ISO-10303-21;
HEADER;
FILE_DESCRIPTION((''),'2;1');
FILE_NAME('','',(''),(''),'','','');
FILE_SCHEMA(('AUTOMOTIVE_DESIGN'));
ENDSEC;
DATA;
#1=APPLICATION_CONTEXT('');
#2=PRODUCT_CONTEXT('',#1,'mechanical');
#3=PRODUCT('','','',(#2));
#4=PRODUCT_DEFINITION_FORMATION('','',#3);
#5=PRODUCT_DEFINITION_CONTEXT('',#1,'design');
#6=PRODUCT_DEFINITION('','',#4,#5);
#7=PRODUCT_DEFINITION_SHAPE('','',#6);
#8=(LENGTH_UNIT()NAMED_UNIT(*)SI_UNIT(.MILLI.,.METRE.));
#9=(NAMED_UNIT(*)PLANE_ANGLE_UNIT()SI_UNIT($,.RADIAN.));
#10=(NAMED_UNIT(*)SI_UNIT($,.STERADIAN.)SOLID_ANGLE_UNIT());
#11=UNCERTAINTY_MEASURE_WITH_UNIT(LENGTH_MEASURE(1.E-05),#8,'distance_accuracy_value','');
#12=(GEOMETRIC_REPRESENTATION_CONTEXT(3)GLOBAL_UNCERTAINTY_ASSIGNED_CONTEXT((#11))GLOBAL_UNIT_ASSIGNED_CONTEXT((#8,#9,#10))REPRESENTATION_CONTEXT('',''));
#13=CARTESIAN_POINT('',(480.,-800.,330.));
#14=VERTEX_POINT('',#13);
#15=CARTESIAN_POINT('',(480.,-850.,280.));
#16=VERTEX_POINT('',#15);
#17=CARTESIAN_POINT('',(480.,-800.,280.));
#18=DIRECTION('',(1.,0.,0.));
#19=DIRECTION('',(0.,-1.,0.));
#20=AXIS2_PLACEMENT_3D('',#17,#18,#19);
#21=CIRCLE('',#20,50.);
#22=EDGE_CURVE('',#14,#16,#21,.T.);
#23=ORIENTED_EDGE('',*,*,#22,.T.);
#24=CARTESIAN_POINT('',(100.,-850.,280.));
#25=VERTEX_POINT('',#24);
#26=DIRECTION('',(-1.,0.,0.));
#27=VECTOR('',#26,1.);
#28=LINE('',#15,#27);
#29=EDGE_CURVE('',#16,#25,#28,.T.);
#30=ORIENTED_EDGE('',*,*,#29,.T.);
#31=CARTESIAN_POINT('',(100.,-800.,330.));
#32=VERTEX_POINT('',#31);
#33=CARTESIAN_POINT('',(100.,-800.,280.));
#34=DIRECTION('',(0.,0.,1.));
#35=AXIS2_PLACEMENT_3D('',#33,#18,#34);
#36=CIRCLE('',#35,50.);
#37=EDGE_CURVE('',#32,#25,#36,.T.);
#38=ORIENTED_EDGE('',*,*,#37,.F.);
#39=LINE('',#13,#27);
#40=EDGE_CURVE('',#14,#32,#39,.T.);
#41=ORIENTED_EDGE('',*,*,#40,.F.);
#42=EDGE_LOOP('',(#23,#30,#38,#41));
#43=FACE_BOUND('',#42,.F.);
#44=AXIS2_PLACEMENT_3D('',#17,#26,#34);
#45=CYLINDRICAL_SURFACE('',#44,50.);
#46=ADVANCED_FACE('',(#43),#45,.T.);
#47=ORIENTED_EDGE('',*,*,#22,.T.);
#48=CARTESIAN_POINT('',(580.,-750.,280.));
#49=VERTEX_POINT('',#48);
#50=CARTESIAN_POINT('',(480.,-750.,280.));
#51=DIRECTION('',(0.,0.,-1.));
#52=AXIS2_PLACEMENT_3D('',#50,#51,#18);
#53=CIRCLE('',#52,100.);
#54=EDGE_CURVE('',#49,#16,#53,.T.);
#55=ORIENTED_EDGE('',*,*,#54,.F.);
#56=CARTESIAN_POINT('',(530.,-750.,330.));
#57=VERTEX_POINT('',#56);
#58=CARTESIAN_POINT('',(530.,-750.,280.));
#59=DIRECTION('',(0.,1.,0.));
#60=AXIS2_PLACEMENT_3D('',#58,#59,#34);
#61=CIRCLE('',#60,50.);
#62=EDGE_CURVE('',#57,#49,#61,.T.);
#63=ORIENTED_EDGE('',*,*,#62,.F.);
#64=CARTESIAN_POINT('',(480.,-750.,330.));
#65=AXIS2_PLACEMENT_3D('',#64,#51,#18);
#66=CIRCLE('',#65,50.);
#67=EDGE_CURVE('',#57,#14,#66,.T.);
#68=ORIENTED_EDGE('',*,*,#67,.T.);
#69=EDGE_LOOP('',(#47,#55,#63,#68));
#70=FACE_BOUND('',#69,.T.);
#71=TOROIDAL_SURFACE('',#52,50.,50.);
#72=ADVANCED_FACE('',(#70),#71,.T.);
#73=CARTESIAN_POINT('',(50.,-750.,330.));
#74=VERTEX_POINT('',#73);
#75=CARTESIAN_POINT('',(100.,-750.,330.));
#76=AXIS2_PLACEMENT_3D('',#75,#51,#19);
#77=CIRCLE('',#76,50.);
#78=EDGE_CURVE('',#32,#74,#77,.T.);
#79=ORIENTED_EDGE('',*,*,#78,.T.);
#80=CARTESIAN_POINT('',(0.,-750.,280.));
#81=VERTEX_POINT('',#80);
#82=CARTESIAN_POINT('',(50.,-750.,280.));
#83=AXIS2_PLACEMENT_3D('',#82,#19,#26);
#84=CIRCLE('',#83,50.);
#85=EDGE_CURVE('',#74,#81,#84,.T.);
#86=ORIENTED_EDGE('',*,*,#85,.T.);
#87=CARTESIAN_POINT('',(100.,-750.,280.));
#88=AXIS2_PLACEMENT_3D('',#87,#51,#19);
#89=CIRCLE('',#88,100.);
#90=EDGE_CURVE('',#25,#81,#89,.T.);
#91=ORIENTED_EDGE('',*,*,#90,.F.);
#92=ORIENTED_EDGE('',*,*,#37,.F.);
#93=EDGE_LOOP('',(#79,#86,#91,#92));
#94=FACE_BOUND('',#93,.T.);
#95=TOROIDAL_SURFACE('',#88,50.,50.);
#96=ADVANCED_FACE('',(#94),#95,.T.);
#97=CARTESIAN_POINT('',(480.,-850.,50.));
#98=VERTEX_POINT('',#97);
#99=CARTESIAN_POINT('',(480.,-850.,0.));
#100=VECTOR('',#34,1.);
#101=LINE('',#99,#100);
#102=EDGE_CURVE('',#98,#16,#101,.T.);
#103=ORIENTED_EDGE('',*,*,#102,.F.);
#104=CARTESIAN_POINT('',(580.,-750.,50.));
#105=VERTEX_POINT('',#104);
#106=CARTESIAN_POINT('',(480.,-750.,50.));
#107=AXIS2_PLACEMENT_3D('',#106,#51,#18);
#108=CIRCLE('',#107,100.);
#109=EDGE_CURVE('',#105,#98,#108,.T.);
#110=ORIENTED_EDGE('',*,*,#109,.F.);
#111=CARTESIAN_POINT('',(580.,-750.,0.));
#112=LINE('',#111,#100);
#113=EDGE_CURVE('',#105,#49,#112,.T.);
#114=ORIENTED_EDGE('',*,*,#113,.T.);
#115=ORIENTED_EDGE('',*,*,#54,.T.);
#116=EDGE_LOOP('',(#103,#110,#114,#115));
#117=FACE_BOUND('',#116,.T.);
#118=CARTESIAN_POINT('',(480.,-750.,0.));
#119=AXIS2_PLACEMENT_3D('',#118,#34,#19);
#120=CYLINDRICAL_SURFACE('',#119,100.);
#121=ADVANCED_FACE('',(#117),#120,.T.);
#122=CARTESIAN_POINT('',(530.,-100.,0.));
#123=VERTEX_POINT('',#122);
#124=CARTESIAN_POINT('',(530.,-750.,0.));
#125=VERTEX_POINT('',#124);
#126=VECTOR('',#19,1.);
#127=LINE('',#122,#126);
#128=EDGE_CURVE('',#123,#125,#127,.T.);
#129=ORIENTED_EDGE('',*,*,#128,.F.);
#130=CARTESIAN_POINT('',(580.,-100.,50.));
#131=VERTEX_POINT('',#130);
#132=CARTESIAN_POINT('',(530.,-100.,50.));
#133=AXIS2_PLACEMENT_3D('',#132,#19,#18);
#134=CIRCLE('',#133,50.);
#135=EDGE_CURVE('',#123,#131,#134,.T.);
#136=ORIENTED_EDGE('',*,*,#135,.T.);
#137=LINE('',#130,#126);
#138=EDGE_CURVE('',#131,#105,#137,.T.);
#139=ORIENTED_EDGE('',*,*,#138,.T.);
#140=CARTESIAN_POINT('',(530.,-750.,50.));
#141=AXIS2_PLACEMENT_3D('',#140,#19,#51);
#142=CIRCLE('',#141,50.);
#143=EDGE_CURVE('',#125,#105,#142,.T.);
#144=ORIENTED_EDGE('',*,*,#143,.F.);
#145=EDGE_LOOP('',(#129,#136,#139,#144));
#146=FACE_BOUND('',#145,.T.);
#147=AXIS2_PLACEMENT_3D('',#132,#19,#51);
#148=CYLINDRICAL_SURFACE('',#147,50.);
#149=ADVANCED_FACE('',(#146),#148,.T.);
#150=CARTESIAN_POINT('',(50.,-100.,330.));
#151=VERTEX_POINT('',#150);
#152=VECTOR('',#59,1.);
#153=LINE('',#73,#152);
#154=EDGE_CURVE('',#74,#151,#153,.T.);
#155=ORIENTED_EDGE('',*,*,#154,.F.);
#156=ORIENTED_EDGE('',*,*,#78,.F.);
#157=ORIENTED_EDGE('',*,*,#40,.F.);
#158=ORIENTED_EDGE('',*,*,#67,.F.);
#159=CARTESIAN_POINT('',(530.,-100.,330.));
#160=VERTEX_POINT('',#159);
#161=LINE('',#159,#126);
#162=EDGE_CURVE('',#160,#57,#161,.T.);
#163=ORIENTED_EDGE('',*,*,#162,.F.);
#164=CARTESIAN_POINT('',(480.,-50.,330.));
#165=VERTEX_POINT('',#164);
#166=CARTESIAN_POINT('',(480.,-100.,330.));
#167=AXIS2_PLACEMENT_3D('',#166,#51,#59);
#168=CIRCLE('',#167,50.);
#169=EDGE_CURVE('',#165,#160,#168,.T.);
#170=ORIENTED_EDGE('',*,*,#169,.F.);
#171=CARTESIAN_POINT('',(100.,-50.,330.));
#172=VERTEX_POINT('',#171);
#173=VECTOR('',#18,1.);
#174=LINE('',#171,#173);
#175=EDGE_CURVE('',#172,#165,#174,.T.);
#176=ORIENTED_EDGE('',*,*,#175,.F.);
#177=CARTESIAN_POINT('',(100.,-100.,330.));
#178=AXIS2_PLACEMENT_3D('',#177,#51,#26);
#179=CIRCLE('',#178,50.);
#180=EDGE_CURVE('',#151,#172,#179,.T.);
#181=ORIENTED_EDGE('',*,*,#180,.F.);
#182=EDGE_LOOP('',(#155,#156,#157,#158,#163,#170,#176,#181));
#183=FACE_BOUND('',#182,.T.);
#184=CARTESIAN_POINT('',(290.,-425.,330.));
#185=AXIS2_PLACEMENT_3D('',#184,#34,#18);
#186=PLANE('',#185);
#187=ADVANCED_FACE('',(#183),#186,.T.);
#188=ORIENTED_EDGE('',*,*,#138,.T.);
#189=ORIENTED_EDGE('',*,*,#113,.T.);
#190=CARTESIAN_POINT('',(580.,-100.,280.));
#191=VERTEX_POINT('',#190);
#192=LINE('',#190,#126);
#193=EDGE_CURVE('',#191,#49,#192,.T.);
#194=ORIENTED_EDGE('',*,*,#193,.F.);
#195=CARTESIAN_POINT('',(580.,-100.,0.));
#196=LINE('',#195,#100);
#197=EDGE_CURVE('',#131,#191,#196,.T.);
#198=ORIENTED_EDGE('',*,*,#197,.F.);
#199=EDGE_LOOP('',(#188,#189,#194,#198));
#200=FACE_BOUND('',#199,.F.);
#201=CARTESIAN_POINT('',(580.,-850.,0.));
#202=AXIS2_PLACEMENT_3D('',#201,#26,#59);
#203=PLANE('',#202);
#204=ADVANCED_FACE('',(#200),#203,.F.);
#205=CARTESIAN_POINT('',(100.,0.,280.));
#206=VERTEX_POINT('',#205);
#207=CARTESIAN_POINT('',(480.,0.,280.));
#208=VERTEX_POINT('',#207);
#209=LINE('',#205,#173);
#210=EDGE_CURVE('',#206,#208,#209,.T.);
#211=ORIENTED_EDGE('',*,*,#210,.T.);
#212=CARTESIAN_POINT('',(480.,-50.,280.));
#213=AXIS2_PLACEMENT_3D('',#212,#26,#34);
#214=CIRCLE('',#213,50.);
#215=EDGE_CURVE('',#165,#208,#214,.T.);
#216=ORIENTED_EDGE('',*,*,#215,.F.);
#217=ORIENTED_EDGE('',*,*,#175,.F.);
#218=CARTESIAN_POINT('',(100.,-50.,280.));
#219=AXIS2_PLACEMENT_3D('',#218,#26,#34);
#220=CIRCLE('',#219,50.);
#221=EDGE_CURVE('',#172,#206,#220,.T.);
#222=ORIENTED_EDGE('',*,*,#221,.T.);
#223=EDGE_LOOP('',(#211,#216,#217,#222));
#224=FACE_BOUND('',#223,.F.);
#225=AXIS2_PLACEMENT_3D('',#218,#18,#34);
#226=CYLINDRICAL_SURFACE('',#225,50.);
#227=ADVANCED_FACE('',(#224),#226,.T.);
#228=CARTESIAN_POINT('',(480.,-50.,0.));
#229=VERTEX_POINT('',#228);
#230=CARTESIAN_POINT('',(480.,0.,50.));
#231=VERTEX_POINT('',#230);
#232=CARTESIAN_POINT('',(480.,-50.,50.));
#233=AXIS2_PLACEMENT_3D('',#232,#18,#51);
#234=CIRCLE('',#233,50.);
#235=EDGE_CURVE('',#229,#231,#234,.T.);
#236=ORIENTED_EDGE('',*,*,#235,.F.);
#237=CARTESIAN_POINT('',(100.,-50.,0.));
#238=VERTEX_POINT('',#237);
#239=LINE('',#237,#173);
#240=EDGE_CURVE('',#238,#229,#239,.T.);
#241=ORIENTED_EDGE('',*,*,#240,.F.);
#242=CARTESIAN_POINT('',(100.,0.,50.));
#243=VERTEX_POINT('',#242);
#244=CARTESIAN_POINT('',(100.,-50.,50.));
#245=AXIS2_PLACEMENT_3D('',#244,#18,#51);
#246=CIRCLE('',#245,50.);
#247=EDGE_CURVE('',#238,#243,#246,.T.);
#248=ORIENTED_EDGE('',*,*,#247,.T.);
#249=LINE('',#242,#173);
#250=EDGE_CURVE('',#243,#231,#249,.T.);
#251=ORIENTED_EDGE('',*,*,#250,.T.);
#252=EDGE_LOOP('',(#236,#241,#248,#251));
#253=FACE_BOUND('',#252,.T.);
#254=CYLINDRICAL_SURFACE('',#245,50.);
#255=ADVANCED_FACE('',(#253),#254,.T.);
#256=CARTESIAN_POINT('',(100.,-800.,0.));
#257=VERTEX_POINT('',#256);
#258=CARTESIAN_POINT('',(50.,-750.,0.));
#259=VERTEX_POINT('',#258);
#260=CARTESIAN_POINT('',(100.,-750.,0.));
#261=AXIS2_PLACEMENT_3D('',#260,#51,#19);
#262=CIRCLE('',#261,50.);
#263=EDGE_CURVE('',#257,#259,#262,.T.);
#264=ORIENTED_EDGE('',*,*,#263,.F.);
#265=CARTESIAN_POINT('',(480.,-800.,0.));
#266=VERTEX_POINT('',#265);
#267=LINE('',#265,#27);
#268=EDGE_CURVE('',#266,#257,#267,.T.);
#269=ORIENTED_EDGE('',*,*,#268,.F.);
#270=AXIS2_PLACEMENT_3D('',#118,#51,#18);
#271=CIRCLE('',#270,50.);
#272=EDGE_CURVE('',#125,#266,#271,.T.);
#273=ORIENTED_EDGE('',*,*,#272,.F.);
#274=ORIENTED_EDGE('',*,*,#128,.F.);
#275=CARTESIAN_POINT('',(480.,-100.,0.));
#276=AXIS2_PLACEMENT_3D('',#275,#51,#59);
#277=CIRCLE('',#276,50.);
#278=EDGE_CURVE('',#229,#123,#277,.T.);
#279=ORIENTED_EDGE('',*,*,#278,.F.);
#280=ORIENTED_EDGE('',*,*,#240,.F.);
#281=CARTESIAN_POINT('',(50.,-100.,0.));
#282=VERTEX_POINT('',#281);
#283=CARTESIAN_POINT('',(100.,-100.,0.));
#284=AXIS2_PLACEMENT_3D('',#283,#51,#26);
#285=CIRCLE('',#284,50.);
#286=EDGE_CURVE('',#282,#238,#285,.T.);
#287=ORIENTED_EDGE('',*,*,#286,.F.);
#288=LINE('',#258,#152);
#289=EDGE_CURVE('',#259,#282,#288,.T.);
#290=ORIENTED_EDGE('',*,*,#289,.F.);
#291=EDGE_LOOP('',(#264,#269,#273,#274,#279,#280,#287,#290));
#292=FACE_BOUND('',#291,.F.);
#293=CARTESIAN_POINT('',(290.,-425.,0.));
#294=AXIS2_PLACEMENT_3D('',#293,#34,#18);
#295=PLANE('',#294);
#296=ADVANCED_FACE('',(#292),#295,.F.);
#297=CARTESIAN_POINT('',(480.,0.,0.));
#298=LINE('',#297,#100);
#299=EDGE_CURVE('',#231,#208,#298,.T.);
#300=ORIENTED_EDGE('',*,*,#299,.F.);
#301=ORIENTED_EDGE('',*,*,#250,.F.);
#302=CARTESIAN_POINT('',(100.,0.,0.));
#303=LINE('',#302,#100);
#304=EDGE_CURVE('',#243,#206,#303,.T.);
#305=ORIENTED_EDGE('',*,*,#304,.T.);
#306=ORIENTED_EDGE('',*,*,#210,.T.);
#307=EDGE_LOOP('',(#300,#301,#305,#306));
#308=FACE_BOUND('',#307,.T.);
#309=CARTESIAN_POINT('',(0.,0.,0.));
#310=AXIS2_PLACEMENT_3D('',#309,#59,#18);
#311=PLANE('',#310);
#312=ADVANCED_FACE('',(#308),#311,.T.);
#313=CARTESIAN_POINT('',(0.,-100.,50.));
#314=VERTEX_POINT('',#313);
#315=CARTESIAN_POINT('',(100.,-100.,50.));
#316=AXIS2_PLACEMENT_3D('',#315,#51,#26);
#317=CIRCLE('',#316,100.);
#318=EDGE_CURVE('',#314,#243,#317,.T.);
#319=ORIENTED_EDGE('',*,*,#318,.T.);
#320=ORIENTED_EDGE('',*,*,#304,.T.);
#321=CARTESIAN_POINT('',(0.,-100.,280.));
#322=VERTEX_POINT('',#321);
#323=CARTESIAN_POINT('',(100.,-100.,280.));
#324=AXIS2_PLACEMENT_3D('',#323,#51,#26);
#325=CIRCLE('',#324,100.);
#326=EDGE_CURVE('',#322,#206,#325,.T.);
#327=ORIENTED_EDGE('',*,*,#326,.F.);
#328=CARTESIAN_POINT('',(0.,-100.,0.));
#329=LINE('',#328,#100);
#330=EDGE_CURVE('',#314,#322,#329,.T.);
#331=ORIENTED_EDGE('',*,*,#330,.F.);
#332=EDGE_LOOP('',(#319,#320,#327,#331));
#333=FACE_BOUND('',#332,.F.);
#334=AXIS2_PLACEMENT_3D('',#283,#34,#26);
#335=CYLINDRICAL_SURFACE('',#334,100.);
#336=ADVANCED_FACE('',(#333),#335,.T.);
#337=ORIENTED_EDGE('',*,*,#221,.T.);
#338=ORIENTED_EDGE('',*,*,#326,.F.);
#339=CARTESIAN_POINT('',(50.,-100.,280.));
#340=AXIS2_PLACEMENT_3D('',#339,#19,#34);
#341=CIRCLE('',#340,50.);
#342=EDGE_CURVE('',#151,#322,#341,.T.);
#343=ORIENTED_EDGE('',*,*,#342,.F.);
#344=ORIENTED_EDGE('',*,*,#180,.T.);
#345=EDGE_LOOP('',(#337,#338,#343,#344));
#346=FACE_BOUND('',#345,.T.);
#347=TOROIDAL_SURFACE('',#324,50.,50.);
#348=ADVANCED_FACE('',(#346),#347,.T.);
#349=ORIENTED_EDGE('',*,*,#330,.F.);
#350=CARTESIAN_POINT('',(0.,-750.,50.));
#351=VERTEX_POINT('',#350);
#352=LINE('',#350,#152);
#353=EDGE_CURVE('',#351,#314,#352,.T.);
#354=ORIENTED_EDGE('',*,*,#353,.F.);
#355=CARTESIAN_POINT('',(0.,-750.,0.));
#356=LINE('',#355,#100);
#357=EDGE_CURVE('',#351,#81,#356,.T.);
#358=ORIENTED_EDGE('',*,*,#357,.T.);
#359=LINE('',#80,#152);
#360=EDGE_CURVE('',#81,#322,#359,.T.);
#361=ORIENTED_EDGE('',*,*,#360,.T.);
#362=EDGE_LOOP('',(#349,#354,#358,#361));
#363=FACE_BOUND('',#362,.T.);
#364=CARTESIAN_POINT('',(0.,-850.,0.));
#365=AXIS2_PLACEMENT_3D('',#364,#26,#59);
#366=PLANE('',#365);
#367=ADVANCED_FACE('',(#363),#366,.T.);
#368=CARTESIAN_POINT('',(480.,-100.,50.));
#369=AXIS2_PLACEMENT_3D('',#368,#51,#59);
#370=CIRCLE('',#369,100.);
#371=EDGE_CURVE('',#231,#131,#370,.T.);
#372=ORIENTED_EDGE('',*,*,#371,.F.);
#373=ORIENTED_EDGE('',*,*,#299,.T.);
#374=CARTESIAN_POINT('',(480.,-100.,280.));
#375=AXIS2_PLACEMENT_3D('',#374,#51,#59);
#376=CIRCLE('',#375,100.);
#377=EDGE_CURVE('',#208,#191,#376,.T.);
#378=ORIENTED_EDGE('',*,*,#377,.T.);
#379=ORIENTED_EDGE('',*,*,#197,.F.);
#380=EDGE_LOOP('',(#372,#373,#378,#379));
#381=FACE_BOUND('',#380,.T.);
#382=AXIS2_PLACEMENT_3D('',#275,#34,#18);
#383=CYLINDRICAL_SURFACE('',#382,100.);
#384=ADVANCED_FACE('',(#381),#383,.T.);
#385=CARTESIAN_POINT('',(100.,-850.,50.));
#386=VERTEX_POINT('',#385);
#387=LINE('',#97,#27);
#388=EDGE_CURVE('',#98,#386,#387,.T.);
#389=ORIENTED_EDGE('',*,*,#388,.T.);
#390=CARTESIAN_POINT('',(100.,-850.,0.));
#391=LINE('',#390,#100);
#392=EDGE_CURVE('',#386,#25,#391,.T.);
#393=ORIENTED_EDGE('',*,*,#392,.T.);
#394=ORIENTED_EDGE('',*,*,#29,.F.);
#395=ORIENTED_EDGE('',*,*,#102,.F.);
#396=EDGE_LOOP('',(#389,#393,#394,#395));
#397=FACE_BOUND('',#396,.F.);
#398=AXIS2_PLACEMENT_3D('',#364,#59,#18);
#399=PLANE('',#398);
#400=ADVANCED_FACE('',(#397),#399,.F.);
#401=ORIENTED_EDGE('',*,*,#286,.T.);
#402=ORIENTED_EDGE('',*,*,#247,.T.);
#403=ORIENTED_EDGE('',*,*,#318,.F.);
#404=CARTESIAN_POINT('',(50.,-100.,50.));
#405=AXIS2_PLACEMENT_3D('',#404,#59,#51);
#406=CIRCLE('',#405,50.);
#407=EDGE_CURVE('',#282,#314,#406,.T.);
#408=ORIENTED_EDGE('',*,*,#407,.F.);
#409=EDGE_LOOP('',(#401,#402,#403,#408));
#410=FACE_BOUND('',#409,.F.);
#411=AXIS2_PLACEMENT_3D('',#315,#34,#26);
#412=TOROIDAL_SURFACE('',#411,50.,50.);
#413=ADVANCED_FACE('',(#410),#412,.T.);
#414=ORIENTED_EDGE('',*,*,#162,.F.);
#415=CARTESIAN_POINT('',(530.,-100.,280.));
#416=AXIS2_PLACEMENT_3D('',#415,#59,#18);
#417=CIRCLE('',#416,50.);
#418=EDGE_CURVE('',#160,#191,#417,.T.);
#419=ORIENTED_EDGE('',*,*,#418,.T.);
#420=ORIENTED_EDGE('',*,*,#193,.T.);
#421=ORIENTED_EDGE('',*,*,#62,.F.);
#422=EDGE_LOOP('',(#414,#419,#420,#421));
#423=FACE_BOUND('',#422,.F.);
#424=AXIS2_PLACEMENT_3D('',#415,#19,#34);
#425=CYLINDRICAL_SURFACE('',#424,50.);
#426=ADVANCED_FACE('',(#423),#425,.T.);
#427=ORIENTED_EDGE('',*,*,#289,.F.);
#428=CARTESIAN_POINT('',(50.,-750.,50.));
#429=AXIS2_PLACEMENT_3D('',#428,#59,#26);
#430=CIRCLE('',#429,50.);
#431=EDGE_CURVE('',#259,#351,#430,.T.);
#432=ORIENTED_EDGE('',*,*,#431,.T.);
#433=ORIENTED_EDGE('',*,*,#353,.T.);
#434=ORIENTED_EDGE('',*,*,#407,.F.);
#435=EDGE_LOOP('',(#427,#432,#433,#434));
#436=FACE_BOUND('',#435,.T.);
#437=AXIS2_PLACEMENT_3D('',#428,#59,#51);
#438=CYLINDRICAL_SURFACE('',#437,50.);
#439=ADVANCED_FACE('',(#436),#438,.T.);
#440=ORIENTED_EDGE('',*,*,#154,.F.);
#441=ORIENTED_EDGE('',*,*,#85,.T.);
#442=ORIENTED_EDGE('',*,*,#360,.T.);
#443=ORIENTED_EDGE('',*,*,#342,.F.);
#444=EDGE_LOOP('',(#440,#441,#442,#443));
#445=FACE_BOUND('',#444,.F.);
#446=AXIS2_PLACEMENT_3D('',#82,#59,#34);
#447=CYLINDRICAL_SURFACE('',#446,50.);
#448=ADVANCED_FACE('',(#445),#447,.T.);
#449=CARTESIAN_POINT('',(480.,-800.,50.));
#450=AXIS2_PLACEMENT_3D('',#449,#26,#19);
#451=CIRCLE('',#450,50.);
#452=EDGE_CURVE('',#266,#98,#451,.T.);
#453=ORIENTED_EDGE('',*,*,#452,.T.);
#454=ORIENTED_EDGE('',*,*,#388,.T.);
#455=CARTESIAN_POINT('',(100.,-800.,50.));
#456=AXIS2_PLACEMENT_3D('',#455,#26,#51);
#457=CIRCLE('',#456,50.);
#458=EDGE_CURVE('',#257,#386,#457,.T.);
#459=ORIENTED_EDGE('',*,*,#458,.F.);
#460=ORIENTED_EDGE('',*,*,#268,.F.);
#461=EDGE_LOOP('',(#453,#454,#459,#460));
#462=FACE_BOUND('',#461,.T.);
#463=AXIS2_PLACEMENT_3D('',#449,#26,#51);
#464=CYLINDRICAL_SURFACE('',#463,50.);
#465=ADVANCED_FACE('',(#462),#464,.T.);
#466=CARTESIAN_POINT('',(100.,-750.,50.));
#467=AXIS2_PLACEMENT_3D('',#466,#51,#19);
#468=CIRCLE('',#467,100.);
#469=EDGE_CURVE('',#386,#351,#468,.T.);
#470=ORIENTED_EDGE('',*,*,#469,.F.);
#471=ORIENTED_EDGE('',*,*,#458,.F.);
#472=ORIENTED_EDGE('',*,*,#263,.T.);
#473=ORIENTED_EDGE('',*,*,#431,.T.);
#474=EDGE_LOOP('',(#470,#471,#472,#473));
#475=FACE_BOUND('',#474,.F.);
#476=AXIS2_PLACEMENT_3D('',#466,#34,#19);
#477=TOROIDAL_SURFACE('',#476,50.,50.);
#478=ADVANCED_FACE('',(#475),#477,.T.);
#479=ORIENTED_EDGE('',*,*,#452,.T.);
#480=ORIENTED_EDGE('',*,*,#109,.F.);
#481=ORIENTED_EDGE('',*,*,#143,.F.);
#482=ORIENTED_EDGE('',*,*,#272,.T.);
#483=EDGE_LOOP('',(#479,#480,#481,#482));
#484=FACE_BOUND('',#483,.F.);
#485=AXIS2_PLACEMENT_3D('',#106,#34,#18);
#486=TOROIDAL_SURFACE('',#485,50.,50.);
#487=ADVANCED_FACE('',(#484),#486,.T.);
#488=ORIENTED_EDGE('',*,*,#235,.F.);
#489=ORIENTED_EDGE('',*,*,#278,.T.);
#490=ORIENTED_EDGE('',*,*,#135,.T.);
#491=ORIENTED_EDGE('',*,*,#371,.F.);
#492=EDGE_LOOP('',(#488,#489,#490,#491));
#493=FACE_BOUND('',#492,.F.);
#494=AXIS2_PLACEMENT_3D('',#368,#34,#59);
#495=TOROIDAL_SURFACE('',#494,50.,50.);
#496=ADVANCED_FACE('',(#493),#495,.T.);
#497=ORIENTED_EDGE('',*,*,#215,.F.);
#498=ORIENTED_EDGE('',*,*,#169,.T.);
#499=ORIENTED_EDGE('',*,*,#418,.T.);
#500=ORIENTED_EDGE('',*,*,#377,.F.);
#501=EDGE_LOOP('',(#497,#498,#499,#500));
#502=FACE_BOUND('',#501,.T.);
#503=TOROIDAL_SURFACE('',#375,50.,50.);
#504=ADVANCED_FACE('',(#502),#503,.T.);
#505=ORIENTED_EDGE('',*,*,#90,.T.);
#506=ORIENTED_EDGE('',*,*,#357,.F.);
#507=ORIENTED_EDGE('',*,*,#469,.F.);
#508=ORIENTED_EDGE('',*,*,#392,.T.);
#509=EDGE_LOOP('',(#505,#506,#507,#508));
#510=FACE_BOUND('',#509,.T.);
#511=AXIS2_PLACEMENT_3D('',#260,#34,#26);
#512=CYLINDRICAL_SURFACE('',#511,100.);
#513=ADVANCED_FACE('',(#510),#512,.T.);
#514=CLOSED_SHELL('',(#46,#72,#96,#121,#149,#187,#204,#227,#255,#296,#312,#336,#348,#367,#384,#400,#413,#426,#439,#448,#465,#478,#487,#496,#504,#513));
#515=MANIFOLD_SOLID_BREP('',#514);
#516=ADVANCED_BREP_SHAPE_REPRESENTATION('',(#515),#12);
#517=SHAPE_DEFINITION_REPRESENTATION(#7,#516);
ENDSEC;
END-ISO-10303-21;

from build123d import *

# Parameters (mm, degrees)
F0_W     = 580
F0_H     = 850
F1_DEPTH = 330
F2_R     = 100
F3_R     = 50


with BuildPart() as f1:
    # F0 (on Top) → F1 (new body)
    with BuildSketch(Plane.XY):
        with Locations((290, -425)):
            Rectangle(F0_W, F0_H)
    extrude(amount=F1_DEPTH)

    # F2
    f2_edges = [f1.edges().sort_by_distance(p)[0] for p in [
        (580, -850, 165),
        (580, 0, 165),
        (0, -850, 165),
        (0, 0, 165),
    ]]
    fillet(f2_edges, radius=F2_R)

    # F3
    f3_edges = [f1.edges().sort_by_distance(p)[0] for p in [
        (290, 0, 330),
        (550.710678, -29.289322, 330),
        (29.289322, -29.289322, 330),
        (580, -425, 330),
        (0, -425, 330),
        (550.710678, -820.710678, 330),
        (29.289322, -820.710678, 330),
        (290, -850, 330),
        (290, 0, 0),
        (550.710678, -29.289322, 0),
        (29.289322, -29.289322, 0),
        (580, -425, 0),
        (0, -425, 0),
        (550.710678, -820.710678, 0),
        (29.289322, -820.710678, 0),
        (290, -850, 0),
    ]]
    fillet(f3_edges, radius=F3_R)


solid = f1.part
